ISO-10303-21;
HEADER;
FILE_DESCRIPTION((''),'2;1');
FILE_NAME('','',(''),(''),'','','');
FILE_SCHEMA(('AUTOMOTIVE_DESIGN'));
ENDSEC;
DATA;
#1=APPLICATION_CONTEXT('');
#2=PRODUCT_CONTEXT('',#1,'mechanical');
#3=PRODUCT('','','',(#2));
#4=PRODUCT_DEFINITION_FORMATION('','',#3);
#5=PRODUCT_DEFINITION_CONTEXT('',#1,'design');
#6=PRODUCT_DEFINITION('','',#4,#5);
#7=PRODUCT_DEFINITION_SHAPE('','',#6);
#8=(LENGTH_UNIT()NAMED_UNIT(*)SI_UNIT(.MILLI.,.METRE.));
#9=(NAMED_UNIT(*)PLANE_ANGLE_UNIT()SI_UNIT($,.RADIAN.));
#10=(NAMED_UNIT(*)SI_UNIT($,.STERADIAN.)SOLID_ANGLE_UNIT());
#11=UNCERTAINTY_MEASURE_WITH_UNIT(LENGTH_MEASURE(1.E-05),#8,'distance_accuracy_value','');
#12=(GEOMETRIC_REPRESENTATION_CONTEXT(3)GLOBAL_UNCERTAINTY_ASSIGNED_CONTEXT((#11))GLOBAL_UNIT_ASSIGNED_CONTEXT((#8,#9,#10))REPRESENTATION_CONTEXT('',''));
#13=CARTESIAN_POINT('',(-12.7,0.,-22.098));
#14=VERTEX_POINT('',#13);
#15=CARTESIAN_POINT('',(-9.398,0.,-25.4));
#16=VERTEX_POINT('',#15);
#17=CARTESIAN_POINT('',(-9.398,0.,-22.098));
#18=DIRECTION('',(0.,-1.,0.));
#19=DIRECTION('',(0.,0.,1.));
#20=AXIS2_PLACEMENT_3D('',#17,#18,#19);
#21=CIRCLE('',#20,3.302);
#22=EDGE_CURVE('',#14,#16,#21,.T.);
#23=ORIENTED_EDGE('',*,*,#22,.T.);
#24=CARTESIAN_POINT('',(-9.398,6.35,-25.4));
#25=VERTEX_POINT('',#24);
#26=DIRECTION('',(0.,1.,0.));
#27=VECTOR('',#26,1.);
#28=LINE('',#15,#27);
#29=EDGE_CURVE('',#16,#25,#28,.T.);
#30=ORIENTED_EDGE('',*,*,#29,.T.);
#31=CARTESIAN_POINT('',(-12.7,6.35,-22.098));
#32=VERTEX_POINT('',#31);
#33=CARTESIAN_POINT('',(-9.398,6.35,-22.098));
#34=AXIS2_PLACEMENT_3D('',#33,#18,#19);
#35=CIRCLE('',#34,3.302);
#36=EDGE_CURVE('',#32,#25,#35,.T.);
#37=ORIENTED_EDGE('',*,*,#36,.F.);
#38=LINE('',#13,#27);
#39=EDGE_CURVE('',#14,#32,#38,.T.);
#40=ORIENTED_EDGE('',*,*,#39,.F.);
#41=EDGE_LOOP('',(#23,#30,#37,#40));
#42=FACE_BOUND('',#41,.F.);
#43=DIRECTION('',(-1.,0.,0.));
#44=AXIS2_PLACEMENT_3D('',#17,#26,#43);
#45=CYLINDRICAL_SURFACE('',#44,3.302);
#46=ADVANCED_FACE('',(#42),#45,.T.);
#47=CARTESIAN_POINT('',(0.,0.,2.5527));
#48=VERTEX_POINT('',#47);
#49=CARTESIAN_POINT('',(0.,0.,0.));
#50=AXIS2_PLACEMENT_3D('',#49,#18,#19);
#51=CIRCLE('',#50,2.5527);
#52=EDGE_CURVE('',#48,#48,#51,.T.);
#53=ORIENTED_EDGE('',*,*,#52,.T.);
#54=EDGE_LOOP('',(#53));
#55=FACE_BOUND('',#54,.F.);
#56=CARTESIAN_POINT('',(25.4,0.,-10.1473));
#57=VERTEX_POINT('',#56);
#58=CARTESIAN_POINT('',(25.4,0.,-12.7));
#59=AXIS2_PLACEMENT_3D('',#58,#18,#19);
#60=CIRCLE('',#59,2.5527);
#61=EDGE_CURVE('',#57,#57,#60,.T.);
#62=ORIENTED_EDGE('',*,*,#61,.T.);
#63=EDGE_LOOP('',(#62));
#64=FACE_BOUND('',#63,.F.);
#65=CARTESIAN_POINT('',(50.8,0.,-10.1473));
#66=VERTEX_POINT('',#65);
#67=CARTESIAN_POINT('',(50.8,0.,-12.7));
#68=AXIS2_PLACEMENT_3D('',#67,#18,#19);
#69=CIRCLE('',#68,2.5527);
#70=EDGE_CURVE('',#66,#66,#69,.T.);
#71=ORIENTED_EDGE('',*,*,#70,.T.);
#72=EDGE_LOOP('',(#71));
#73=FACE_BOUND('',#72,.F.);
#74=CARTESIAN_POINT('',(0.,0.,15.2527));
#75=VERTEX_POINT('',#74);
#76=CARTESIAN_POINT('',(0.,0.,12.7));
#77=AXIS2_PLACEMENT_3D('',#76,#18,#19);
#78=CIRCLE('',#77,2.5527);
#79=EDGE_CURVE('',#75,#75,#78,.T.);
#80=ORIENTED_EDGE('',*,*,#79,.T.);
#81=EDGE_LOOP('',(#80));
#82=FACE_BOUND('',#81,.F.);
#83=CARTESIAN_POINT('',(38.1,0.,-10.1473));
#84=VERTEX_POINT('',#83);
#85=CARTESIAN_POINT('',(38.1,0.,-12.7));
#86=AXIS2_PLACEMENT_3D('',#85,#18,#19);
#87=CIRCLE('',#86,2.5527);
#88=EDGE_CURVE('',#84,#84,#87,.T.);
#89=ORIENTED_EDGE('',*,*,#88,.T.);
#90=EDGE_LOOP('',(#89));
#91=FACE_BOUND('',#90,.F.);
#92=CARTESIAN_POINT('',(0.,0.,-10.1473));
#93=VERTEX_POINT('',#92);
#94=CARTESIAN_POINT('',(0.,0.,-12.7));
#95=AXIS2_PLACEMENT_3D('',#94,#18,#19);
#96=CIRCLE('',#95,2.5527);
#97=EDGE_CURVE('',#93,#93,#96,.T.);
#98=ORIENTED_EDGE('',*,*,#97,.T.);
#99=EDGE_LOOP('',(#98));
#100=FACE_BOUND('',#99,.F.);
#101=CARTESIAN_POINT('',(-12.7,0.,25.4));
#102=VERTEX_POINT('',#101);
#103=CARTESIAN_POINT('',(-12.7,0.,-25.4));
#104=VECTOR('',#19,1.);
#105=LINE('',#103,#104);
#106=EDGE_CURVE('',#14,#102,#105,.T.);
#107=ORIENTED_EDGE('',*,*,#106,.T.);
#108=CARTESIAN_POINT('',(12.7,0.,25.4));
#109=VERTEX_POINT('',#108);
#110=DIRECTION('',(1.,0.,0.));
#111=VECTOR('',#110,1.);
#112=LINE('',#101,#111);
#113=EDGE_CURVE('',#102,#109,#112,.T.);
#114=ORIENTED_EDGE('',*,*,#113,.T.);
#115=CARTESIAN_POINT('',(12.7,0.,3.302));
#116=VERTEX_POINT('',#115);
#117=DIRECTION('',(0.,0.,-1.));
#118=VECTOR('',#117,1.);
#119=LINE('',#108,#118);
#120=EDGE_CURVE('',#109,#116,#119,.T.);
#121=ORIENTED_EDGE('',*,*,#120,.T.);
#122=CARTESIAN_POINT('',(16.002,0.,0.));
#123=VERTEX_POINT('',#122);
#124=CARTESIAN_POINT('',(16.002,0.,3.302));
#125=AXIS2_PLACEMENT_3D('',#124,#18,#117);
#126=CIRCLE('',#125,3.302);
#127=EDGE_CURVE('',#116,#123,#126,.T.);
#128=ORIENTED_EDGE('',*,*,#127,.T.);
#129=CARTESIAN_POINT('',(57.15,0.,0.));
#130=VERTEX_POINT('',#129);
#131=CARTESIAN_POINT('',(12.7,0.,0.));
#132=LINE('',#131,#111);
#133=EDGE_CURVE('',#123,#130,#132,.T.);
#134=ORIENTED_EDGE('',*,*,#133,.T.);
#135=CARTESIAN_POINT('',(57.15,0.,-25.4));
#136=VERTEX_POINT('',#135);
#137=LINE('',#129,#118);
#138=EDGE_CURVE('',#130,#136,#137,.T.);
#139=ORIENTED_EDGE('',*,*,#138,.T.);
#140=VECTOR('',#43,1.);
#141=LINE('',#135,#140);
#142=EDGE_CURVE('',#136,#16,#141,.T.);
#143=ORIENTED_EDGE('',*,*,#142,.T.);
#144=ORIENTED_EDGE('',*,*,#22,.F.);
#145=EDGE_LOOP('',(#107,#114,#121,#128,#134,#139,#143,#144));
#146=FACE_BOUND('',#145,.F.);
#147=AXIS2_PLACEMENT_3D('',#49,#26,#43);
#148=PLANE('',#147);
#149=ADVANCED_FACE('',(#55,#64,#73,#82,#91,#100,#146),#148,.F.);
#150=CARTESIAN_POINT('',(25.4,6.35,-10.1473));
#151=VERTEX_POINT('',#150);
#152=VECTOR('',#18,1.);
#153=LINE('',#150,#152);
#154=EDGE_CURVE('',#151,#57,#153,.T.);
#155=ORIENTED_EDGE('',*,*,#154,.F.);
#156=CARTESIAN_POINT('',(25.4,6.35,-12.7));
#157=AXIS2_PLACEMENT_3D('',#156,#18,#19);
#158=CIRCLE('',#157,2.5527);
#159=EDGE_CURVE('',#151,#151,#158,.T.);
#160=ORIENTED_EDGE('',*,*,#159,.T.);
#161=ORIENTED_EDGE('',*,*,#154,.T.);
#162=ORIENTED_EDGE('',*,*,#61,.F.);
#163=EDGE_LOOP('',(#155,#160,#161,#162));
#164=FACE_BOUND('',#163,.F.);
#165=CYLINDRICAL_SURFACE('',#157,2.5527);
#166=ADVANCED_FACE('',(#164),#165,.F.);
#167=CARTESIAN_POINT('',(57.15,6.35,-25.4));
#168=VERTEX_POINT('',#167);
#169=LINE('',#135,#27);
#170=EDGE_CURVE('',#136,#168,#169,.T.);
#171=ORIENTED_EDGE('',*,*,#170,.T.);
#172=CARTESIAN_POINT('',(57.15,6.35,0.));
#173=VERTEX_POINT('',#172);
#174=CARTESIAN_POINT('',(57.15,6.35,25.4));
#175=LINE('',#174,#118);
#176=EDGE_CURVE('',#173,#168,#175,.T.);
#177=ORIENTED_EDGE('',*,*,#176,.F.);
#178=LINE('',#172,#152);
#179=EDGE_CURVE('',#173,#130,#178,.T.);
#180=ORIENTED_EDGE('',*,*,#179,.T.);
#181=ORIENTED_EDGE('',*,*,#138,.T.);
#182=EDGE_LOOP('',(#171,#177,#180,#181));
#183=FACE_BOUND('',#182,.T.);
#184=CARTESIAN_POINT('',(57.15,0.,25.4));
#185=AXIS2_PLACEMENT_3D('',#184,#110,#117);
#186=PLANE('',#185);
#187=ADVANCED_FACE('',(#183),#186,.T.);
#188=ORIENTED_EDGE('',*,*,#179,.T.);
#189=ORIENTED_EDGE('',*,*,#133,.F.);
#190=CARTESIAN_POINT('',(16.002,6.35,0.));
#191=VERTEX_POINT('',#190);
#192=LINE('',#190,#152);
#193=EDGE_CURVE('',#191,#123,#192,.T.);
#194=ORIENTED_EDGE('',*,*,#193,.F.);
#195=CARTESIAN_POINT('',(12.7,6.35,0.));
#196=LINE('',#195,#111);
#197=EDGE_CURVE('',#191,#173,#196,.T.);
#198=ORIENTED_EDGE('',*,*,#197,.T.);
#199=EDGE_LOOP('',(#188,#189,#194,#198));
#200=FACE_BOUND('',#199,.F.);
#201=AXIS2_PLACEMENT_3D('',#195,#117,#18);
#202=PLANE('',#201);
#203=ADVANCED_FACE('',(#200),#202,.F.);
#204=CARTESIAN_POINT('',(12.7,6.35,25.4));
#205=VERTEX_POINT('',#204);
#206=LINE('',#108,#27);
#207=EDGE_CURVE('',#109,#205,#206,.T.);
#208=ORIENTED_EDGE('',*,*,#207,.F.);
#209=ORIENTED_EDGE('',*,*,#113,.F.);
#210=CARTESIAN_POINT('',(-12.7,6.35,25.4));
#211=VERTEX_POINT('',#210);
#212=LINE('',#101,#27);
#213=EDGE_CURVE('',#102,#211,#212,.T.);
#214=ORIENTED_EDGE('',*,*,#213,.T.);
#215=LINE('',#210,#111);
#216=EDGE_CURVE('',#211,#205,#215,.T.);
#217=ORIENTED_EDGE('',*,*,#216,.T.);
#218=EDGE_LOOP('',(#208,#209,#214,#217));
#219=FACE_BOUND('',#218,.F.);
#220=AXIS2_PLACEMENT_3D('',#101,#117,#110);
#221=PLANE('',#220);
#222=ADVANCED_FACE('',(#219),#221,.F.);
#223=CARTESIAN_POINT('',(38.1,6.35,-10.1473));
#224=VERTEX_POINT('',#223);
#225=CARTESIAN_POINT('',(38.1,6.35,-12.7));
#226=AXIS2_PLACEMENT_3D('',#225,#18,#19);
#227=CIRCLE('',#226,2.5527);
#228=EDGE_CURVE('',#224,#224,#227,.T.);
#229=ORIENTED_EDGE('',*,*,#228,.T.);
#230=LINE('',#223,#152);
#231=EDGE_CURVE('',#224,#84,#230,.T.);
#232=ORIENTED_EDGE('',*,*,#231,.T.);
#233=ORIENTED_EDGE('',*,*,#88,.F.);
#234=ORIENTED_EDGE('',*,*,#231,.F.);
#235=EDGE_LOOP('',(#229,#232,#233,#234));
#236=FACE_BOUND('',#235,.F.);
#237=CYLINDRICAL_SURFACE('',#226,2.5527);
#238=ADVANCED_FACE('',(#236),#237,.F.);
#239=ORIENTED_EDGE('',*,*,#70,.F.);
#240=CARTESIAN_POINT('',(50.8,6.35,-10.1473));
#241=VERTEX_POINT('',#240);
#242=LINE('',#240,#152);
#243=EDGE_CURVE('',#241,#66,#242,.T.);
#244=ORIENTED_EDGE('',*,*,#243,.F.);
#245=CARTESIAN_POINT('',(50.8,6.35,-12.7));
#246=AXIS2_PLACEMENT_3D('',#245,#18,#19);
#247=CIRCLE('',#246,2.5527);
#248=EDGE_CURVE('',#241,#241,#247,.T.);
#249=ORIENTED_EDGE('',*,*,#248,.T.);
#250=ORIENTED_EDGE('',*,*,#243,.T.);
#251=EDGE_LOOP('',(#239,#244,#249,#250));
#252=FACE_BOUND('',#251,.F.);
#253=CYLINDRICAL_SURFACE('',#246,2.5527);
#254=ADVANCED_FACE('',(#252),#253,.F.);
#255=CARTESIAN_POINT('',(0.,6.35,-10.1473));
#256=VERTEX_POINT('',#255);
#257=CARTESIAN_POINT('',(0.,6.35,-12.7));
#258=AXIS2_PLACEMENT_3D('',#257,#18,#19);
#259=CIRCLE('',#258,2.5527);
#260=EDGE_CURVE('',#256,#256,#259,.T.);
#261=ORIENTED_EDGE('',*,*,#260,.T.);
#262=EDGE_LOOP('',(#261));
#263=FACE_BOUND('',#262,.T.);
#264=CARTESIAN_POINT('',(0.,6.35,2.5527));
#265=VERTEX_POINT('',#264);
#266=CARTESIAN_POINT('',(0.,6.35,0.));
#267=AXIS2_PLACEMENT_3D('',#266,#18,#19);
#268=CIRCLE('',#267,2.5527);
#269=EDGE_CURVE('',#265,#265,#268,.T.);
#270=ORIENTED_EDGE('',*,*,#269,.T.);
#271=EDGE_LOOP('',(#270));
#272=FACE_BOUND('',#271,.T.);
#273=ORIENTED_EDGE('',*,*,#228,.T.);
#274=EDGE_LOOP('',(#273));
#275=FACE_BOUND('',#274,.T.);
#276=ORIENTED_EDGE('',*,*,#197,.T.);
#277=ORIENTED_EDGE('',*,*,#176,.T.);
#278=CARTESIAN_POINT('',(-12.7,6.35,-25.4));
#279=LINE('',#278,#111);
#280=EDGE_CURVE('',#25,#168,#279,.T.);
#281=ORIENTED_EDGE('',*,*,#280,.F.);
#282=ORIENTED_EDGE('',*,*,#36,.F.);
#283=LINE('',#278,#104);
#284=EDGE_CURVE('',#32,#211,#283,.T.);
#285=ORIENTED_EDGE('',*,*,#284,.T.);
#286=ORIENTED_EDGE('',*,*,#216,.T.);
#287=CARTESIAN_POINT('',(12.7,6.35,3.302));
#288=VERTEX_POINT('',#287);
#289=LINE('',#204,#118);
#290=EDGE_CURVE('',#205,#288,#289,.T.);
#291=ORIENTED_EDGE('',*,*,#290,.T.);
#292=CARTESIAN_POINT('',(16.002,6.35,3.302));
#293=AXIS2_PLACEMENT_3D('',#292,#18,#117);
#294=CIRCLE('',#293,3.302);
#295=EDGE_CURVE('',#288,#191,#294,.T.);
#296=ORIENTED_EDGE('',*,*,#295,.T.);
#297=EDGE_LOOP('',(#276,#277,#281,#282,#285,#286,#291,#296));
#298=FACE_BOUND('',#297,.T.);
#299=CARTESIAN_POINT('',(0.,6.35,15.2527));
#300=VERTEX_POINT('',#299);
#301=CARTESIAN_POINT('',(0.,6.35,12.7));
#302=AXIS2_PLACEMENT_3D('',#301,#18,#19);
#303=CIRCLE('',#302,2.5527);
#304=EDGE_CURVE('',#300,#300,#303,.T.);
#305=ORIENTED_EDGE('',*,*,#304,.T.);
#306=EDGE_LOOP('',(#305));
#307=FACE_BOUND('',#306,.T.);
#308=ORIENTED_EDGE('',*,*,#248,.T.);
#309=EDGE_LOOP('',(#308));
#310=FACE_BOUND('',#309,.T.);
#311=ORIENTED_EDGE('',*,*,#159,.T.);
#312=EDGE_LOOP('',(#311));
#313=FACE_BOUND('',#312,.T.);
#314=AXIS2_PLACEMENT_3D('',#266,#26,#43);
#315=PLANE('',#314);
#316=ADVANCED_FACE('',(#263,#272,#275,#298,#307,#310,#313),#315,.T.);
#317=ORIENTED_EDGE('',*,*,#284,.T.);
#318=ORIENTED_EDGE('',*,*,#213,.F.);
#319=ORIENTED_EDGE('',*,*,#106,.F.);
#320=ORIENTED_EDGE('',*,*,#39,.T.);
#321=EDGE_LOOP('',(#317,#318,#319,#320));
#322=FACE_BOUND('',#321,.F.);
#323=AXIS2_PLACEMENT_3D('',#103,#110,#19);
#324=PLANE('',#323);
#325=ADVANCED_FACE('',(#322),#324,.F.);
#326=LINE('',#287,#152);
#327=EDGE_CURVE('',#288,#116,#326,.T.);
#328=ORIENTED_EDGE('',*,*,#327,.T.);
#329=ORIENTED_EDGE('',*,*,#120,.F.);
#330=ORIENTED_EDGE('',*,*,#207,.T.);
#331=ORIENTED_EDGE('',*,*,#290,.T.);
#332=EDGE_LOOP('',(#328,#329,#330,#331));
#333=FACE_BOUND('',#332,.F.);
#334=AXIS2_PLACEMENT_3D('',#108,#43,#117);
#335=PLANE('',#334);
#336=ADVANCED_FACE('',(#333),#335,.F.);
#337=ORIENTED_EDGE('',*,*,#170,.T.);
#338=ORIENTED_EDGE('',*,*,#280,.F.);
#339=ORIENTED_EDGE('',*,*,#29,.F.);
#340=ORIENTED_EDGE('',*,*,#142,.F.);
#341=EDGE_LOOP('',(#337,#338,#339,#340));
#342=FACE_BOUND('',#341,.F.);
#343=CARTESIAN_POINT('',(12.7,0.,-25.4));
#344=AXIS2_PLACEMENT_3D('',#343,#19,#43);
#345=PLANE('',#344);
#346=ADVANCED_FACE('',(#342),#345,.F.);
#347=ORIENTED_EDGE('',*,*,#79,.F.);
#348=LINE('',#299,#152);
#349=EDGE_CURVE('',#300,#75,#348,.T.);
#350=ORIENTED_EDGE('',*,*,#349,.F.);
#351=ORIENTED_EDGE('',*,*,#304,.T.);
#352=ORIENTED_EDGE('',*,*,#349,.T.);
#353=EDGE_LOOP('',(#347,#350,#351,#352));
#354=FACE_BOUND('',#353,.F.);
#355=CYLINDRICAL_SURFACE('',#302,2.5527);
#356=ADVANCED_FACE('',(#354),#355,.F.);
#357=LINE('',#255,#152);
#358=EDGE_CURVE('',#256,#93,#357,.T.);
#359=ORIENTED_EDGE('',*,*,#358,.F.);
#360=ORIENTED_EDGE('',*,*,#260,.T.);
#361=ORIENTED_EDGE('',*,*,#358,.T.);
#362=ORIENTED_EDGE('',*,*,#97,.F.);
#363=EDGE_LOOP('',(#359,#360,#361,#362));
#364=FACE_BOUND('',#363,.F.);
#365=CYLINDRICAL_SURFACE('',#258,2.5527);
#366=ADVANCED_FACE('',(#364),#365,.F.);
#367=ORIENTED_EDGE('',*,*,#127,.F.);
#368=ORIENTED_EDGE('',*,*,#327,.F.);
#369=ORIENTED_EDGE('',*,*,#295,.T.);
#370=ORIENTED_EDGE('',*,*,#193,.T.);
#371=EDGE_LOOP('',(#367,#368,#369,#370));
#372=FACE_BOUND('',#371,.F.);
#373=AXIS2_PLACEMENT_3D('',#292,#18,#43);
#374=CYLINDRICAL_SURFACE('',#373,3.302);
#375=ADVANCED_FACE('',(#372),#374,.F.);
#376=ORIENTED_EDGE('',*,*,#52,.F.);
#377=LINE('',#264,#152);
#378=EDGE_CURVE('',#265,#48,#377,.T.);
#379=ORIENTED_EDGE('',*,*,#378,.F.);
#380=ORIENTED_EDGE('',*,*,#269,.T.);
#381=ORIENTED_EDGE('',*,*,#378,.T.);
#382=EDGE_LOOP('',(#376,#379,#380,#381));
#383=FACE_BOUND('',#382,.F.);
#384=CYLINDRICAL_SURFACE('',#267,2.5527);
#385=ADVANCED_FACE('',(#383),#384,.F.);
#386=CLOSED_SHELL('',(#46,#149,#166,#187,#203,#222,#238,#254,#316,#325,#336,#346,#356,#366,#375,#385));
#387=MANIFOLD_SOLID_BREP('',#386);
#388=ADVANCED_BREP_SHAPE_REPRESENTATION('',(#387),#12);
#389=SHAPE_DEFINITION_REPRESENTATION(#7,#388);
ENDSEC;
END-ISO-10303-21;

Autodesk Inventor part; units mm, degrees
ref_plane "YZ Plane" through (0, 0, 0) normal (1, 0, 0) x (0, 1, 0)
ref_plane "XZ Plane" through (0, 0, 0) normal (0, 1, 0) x (-1, 0, 0)
ref_plane "XY Plane" through (0, 0, 0) normal (0, 0, 1) x (1, 0, 0)
sketch "Sketch1" plane through (0, 0, 0) normal (0, 1, 0) x (-1, 0, 0)
  line L0 (12.7, 25.4) -> (-12.7, 25.4)
  line L1 (-12.7, 25.4) -> (-12.7, -25.4)
  line L2 (-12.7, -25.4) -> (12.7, -25.4)
  line L3 (12.7, -25.4) -> (12.7, 25.4)
  line L4 (12.7, 25.4) -> (-12.7, -25.4) construction
  line L5 (-12.7, 25.4) -> (12.7, -25.4) construction
  point P0 (0, 0)
  dimension "d0" = 25.4
  dimension "d1" = 50.8
extrude "Extrusion1" add sketch "Sketch1" along normal blind 6.35
sketch "Sketch3" plane through (12.7, 0, 25.4) normal (1, 0, 0) x (0, 0, -1)
  line L0 (0, 6.35) -> (50.8, 6.35) projected
  line L1 (50.8, 6.35) -> (25.4, 6.35)
  line L2 (25.4, 6.35) -> (25.4, 0)
  line L3 (25.4, 0) -> (50.8, 0)
  line L4 (50.8, 0) -> (50.8, 6.35)
  dimension "d14" = 25.4
extrude "Extrusion2" add sketch "Sketch3" along normal blind 44.45
sketch "Sketch4" plane through (0, 6.35, 0) normal (0, 1, 0) x (1, 0, 0)
  line L0 (-12.7, -25.4) -> (12.7, -25.4) projected
  point P0 (0, 0)
  point P1 (0, -12.7)
  point P2 (0, 0)
  point P3 (0, 12.7)
  point P4 (0, -25.4)
  point P5 (0, -25.4)
  point P6 (0, -25.4)
  point P7 (25.4, 12.7)
  point P8 (38.1, 12.7)
  point P9 (50.8, 12.7)
  dimension "d17" = 12.7
  dimension "d18" = 12.7
  dimension "d19" = 12.7
  dimension "d20" = 25.4
  dimension "d21" = 12.7
  dimension "d22" = 12.7
hole "Hole2" at (0, 6.35, 12.7) at (0, 6.35, 0) at (0, 6.35, -12.7) at (25.4, 6.35, -12.7) at (38.1, 6.35, -12.7) at (50.8, 6.35, -12.7) direction (0, -1, 0) diameter 5.1054 end through all clearance for "Flat Head Machine Screw (82)" size "#10" standard "Ansi Unified Screw Threads"
fillet "Fillet1" radius 3.302 2 edges at (12.7, 3.175, 0) (-12.7, 3.175, -25.4)
properties part number "DB1-003" material "Aluminum 6061"
